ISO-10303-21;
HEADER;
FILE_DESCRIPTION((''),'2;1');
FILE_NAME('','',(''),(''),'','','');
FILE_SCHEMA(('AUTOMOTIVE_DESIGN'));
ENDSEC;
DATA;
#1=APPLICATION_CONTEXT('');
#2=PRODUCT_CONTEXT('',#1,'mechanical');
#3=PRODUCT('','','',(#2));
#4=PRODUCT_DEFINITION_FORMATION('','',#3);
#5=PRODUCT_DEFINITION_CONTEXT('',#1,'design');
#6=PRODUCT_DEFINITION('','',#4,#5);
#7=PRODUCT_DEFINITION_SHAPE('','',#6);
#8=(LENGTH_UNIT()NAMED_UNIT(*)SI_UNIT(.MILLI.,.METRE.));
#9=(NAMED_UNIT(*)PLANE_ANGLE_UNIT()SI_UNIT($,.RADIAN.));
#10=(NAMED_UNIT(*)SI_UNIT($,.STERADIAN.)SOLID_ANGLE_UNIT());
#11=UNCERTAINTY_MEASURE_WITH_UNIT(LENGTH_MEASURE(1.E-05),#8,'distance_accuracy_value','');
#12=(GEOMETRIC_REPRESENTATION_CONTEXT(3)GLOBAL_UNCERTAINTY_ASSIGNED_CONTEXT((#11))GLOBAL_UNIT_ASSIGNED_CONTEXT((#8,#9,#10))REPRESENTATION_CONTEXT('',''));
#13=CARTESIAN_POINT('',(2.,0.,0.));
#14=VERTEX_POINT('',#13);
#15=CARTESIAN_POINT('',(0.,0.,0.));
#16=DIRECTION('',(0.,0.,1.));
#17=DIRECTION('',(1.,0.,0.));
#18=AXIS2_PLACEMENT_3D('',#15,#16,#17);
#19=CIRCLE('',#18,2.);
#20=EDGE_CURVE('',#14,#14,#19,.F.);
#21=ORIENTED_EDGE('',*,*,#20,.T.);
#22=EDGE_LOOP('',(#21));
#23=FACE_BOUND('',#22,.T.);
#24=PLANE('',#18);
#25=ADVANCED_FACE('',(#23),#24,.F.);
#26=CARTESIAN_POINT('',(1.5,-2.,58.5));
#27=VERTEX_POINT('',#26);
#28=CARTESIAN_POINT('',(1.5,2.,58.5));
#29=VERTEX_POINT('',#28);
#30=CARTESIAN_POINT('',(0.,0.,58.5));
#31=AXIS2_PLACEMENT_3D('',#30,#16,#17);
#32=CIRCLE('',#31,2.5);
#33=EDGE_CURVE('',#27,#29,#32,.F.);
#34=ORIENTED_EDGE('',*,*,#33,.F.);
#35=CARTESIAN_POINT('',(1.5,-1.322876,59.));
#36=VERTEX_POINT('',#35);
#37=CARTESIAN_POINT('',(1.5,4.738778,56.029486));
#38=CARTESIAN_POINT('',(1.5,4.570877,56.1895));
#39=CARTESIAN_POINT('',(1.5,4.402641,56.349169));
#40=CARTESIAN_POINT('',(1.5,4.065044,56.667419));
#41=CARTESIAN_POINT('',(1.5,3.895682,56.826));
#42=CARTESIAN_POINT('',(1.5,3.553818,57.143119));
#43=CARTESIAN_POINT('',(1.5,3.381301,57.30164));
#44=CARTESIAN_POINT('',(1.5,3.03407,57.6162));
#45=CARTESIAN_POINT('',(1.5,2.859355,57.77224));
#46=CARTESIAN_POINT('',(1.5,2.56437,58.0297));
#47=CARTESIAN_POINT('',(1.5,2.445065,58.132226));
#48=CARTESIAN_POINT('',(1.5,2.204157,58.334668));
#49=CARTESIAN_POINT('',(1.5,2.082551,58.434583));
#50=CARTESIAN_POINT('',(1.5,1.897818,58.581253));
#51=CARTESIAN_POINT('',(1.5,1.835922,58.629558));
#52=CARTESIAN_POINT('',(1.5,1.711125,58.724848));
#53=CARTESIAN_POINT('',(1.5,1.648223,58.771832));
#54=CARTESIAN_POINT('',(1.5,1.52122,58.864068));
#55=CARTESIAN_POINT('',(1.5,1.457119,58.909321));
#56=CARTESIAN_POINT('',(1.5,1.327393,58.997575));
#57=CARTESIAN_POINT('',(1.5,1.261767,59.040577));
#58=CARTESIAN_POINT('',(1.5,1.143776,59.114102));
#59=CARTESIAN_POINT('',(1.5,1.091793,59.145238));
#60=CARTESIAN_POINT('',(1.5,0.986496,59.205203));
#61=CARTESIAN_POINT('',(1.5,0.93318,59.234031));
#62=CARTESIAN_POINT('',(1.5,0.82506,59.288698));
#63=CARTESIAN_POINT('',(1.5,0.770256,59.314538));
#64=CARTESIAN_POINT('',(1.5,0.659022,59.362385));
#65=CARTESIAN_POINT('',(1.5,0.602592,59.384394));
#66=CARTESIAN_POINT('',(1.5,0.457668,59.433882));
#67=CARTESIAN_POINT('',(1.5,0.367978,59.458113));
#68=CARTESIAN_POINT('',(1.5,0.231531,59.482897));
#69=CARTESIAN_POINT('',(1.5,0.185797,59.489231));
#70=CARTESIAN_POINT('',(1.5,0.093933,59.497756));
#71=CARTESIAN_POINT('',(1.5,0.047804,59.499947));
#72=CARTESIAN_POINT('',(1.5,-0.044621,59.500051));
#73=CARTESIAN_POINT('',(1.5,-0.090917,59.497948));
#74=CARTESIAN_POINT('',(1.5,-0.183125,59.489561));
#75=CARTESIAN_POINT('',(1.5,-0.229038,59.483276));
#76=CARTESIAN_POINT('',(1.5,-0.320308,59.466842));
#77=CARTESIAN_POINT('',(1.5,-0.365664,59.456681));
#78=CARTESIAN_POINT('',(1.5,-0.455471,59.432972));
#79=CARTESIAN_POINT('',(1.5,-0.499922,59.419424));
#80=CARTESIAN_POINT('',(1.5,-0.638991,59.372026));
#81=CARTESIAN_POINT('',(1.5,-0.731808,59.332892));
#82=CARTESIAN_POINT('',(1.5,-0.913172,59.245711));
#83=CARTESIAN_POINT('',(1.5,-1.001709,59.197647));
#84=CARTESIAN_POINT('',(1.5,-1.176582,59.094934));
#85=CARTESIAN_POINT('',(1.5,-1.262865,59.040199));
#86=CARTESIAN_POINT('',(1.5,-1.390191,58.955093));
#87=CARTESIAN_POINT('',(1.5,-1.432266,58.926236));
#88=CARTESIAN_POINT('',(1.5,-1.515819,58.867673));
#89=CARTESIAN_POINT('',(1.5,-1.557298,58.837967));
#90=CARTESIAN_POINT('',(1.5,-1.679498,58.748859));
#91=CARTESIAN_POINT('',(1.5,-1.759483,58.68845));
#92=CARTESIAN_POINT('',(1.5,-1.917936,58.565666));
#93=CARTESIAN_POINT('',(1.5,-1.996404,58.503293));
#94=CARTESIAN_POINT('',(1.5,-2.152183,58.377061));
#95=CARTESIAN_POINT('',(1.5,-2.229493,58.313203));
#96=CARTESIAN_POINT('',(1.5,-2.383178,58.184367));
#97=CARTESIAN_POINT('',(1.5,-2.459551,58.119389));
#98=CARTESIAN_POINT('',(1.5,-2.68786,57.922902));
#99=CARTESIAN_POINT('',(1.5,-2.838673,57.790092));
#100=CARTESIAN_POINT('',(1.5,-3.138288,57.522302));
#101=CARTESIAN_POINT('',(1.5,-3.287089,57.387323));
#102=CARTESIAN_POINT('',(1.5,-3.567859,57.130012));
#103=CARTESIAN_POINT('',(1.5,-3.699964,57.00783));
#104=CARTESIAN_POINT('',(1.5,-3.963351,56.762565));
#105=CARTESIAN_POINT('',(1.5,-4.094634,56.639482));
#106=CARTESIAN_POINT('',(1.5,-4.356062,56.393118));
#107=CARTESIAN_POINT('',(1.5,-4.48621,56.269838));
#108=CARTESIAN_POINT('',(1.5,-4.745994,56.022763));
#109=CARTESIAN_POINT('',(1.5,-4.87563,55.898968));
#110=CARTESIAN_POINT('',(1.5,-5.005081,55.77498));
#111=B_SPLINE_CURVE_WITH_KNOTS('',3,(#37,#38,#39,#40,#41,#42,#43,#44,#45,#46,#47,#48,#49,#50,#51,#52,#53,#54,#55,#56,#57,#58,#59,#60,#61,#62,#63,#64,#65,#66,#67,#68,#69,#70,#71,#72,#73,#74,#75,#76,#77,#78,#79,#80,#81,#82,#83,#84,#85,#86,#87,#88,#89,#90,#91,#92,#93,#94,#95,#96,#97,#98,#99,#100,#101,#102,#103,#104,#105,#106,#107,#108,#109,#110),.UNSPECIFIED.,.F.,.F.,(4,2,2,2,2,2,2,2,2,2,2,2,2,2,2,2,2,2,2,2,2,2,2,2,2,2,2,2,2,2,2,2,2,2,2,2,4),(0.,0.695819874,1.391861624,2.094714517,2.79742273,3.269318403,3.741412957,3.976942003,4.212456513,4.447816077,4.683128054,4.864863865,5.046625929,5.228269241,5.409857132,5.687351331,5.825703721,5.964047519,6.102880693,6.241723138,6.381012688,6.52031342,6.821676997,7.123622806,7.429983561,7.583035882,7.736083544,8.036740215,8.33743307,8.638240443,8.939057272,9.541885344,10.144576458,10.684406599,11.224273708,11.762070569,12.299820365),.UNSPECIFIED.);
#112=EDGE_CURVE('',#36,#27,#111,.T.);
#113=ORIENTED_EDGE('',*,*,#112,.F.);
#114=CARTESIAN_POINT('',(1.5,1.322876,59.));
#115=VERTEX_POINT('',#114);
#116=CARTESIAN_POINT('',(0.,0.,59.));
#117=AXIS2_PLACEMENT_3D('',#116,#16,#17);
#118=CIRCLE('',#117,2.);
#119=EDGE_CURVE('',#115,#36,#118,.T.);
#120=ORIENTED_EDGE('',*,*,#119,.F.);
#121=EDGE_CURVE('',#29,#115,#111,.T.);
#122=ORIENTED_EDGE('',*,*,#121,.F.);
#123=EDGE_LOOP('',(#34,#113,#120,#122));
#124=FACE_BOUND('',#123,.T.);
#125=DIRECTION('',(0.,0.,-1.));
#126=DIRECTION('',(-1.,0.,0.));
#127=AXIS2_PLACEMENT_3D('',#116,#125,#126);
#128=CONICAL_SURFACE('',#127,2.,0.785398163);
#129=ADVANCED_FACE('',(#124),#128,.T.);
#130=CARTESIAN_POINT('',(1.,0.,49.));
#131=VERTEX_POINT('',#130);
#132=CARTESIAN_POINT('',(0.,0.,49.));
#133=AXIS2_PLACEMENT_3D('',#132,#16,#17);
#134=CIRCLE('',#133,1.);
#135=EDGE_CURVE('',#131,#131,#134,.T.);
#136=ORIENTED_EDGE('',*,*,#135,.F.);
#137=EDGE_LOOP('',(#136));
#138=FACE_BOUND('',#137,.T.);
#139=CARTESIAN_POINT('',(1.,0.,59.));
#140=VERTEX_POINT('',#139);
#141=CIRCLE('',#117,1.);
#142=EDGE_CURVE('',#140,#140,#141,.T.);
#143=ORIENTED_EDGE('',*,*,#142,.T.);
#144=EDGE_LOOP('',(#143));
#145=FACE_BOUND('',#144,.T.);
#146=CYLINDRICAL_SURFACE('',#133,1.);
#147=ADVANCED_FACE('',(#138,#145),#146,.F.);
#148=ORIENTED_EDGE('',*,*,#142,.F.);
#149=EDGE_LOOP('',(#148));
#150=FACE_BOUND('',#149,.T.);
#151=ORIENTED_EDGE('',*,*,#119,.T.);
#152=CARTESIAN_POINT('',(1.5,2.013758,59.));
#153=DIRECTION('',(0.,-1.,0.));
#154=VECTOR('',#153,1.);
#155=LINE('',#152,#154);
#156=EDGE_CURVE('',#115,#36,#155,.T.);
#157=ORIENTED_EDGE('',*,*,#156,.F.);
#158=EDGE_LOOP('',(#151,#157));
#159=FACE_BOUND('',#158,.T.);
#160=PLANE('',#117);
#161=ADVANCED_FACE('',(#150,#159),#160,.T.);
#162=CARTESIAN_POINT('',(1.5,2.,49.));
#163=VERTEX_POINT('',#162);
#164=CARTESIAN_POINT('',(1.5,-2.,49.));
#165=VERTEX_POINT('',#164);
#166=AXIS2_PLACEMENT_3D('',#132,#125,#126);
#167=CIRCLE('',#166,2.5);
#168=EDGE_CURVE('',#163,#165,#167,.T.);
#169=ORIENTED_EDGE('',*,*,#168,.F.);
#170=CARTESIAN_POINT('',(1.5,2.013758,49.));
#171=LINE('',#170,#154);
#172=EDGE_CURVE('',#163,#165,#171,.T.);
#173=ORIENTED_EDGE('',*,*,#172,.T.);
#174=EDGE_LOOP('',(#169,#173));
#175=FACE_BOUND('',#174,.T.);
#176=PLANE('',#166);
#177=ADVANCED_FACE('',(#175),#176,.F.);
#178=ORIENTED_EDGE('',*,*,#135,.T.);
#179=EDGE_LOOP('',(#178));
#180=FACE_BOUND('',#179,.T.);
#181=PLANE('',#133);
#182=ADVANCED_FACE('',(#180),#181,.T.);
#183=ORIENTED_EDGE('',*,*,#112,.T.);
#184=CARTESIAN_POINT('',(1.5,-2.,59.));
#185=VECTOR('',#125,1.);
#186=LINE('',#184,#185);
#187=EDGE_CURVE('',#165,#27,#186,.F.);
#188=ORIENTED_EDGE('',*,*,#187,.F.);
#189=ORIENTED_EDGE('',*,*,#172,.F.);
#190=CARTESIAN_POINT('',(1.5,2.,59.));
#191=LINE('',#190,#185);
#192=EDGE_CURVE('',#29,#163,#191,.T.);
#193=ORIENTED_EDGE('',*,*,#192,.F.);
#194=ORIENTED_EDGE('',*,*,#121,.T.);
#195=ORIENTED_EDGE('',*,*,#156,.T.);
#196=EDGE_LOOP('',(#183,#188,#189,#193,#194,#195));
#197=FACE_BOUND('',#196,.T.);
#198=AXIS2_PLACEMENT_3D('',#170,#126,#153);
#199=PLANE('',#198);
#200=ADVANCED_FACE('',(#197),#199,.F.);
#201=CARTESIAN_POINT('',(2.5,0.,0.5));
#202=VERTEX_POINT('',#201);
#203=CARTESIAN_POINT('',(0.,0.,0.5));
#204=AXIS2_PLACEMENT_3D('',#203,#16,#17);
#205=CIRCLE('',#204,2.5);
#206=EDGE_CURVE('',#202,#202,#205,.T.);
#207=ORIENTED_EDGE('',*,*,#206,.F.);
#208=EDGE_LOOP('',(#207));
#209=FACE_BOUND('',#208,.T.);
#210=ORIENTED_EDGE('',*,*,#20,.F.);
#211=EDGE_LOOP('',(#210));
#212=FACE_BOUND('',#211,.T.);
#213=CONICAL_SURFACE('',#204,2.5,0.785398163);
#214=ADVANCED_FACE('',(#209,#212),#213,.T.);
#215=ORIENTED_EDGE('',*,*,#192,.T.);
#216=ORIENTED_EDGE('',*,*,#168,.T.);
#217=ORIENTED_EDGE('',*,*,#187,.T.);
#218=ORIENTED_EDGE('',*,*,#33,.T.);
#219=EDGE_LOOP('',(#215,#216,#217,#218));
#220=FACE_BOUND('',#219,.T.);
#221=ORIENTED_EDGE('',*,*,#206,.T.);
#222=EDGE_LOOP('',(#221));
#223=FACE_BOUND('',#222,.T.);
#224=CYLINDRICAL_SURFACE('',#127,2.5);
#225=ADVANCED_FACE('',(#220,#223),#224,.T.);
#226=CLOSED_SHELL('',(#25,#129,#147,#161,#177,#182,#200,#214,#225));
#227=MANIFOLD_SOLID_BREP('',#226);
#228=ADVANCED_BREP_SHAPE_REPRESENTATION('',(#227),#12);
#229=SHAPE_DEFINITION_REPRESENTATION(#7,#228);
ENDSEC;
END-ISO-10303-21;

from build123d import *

# Parameters (mm, degrees)
SKETCH1_R           = 2.5
BOSS_EXTRUDE1_DEPTH = 59
SKETCH2_R           = 1
CUT_EXTRUDE1_DEPTH  = 10
CHAMFER1_SIZE       = 0.5
SKETCH3_W           = 1.530069222
SKETCH3_H           = 4.686409644
CUT_EXTRUDE2_DEPTH  = 10


with BuildPart() as part:
    # Sketch1 → Boss-Extrude1 (new body)
    with BuildSketch(Plane.XY):
        Circle(SKETCH1_R)
    extrude(amount=BOSS_EXTRUDE1_DEPTH)

    # Sketch2 → Cut-Extrude1 (cut)
    with BuildSketch(Plane.XY.offset(59)):
        Circle(SKETCH2_R)
    extrude(amount=-CUT_EXTRUDE1_DEPTH, mode=Mode.SUBTRACT)

    # Chamfer1
    chamfer1_edges = [part.edges().sort_by_distance(p)[0] for p in [
        (-2.5, 0, 0),
        (-2.5, 0, 59),
    ]]
    chamfer(chamfer1_edges, length=CHAMFER1_SIZE)

    # Sketch3 → Cut-Extrude2 (cut)
    with BuildSketch(Plane.XY.offset(59)):
        with Locations((2.265034611, -0.329447038)):
            Rectangle(SKETCH3_W, SKETCH3_H)
    extrude(amount=-CUT_EXTRUDE2_DEPTH, mode=Mode.SUBTRACT)


solid = part.part
